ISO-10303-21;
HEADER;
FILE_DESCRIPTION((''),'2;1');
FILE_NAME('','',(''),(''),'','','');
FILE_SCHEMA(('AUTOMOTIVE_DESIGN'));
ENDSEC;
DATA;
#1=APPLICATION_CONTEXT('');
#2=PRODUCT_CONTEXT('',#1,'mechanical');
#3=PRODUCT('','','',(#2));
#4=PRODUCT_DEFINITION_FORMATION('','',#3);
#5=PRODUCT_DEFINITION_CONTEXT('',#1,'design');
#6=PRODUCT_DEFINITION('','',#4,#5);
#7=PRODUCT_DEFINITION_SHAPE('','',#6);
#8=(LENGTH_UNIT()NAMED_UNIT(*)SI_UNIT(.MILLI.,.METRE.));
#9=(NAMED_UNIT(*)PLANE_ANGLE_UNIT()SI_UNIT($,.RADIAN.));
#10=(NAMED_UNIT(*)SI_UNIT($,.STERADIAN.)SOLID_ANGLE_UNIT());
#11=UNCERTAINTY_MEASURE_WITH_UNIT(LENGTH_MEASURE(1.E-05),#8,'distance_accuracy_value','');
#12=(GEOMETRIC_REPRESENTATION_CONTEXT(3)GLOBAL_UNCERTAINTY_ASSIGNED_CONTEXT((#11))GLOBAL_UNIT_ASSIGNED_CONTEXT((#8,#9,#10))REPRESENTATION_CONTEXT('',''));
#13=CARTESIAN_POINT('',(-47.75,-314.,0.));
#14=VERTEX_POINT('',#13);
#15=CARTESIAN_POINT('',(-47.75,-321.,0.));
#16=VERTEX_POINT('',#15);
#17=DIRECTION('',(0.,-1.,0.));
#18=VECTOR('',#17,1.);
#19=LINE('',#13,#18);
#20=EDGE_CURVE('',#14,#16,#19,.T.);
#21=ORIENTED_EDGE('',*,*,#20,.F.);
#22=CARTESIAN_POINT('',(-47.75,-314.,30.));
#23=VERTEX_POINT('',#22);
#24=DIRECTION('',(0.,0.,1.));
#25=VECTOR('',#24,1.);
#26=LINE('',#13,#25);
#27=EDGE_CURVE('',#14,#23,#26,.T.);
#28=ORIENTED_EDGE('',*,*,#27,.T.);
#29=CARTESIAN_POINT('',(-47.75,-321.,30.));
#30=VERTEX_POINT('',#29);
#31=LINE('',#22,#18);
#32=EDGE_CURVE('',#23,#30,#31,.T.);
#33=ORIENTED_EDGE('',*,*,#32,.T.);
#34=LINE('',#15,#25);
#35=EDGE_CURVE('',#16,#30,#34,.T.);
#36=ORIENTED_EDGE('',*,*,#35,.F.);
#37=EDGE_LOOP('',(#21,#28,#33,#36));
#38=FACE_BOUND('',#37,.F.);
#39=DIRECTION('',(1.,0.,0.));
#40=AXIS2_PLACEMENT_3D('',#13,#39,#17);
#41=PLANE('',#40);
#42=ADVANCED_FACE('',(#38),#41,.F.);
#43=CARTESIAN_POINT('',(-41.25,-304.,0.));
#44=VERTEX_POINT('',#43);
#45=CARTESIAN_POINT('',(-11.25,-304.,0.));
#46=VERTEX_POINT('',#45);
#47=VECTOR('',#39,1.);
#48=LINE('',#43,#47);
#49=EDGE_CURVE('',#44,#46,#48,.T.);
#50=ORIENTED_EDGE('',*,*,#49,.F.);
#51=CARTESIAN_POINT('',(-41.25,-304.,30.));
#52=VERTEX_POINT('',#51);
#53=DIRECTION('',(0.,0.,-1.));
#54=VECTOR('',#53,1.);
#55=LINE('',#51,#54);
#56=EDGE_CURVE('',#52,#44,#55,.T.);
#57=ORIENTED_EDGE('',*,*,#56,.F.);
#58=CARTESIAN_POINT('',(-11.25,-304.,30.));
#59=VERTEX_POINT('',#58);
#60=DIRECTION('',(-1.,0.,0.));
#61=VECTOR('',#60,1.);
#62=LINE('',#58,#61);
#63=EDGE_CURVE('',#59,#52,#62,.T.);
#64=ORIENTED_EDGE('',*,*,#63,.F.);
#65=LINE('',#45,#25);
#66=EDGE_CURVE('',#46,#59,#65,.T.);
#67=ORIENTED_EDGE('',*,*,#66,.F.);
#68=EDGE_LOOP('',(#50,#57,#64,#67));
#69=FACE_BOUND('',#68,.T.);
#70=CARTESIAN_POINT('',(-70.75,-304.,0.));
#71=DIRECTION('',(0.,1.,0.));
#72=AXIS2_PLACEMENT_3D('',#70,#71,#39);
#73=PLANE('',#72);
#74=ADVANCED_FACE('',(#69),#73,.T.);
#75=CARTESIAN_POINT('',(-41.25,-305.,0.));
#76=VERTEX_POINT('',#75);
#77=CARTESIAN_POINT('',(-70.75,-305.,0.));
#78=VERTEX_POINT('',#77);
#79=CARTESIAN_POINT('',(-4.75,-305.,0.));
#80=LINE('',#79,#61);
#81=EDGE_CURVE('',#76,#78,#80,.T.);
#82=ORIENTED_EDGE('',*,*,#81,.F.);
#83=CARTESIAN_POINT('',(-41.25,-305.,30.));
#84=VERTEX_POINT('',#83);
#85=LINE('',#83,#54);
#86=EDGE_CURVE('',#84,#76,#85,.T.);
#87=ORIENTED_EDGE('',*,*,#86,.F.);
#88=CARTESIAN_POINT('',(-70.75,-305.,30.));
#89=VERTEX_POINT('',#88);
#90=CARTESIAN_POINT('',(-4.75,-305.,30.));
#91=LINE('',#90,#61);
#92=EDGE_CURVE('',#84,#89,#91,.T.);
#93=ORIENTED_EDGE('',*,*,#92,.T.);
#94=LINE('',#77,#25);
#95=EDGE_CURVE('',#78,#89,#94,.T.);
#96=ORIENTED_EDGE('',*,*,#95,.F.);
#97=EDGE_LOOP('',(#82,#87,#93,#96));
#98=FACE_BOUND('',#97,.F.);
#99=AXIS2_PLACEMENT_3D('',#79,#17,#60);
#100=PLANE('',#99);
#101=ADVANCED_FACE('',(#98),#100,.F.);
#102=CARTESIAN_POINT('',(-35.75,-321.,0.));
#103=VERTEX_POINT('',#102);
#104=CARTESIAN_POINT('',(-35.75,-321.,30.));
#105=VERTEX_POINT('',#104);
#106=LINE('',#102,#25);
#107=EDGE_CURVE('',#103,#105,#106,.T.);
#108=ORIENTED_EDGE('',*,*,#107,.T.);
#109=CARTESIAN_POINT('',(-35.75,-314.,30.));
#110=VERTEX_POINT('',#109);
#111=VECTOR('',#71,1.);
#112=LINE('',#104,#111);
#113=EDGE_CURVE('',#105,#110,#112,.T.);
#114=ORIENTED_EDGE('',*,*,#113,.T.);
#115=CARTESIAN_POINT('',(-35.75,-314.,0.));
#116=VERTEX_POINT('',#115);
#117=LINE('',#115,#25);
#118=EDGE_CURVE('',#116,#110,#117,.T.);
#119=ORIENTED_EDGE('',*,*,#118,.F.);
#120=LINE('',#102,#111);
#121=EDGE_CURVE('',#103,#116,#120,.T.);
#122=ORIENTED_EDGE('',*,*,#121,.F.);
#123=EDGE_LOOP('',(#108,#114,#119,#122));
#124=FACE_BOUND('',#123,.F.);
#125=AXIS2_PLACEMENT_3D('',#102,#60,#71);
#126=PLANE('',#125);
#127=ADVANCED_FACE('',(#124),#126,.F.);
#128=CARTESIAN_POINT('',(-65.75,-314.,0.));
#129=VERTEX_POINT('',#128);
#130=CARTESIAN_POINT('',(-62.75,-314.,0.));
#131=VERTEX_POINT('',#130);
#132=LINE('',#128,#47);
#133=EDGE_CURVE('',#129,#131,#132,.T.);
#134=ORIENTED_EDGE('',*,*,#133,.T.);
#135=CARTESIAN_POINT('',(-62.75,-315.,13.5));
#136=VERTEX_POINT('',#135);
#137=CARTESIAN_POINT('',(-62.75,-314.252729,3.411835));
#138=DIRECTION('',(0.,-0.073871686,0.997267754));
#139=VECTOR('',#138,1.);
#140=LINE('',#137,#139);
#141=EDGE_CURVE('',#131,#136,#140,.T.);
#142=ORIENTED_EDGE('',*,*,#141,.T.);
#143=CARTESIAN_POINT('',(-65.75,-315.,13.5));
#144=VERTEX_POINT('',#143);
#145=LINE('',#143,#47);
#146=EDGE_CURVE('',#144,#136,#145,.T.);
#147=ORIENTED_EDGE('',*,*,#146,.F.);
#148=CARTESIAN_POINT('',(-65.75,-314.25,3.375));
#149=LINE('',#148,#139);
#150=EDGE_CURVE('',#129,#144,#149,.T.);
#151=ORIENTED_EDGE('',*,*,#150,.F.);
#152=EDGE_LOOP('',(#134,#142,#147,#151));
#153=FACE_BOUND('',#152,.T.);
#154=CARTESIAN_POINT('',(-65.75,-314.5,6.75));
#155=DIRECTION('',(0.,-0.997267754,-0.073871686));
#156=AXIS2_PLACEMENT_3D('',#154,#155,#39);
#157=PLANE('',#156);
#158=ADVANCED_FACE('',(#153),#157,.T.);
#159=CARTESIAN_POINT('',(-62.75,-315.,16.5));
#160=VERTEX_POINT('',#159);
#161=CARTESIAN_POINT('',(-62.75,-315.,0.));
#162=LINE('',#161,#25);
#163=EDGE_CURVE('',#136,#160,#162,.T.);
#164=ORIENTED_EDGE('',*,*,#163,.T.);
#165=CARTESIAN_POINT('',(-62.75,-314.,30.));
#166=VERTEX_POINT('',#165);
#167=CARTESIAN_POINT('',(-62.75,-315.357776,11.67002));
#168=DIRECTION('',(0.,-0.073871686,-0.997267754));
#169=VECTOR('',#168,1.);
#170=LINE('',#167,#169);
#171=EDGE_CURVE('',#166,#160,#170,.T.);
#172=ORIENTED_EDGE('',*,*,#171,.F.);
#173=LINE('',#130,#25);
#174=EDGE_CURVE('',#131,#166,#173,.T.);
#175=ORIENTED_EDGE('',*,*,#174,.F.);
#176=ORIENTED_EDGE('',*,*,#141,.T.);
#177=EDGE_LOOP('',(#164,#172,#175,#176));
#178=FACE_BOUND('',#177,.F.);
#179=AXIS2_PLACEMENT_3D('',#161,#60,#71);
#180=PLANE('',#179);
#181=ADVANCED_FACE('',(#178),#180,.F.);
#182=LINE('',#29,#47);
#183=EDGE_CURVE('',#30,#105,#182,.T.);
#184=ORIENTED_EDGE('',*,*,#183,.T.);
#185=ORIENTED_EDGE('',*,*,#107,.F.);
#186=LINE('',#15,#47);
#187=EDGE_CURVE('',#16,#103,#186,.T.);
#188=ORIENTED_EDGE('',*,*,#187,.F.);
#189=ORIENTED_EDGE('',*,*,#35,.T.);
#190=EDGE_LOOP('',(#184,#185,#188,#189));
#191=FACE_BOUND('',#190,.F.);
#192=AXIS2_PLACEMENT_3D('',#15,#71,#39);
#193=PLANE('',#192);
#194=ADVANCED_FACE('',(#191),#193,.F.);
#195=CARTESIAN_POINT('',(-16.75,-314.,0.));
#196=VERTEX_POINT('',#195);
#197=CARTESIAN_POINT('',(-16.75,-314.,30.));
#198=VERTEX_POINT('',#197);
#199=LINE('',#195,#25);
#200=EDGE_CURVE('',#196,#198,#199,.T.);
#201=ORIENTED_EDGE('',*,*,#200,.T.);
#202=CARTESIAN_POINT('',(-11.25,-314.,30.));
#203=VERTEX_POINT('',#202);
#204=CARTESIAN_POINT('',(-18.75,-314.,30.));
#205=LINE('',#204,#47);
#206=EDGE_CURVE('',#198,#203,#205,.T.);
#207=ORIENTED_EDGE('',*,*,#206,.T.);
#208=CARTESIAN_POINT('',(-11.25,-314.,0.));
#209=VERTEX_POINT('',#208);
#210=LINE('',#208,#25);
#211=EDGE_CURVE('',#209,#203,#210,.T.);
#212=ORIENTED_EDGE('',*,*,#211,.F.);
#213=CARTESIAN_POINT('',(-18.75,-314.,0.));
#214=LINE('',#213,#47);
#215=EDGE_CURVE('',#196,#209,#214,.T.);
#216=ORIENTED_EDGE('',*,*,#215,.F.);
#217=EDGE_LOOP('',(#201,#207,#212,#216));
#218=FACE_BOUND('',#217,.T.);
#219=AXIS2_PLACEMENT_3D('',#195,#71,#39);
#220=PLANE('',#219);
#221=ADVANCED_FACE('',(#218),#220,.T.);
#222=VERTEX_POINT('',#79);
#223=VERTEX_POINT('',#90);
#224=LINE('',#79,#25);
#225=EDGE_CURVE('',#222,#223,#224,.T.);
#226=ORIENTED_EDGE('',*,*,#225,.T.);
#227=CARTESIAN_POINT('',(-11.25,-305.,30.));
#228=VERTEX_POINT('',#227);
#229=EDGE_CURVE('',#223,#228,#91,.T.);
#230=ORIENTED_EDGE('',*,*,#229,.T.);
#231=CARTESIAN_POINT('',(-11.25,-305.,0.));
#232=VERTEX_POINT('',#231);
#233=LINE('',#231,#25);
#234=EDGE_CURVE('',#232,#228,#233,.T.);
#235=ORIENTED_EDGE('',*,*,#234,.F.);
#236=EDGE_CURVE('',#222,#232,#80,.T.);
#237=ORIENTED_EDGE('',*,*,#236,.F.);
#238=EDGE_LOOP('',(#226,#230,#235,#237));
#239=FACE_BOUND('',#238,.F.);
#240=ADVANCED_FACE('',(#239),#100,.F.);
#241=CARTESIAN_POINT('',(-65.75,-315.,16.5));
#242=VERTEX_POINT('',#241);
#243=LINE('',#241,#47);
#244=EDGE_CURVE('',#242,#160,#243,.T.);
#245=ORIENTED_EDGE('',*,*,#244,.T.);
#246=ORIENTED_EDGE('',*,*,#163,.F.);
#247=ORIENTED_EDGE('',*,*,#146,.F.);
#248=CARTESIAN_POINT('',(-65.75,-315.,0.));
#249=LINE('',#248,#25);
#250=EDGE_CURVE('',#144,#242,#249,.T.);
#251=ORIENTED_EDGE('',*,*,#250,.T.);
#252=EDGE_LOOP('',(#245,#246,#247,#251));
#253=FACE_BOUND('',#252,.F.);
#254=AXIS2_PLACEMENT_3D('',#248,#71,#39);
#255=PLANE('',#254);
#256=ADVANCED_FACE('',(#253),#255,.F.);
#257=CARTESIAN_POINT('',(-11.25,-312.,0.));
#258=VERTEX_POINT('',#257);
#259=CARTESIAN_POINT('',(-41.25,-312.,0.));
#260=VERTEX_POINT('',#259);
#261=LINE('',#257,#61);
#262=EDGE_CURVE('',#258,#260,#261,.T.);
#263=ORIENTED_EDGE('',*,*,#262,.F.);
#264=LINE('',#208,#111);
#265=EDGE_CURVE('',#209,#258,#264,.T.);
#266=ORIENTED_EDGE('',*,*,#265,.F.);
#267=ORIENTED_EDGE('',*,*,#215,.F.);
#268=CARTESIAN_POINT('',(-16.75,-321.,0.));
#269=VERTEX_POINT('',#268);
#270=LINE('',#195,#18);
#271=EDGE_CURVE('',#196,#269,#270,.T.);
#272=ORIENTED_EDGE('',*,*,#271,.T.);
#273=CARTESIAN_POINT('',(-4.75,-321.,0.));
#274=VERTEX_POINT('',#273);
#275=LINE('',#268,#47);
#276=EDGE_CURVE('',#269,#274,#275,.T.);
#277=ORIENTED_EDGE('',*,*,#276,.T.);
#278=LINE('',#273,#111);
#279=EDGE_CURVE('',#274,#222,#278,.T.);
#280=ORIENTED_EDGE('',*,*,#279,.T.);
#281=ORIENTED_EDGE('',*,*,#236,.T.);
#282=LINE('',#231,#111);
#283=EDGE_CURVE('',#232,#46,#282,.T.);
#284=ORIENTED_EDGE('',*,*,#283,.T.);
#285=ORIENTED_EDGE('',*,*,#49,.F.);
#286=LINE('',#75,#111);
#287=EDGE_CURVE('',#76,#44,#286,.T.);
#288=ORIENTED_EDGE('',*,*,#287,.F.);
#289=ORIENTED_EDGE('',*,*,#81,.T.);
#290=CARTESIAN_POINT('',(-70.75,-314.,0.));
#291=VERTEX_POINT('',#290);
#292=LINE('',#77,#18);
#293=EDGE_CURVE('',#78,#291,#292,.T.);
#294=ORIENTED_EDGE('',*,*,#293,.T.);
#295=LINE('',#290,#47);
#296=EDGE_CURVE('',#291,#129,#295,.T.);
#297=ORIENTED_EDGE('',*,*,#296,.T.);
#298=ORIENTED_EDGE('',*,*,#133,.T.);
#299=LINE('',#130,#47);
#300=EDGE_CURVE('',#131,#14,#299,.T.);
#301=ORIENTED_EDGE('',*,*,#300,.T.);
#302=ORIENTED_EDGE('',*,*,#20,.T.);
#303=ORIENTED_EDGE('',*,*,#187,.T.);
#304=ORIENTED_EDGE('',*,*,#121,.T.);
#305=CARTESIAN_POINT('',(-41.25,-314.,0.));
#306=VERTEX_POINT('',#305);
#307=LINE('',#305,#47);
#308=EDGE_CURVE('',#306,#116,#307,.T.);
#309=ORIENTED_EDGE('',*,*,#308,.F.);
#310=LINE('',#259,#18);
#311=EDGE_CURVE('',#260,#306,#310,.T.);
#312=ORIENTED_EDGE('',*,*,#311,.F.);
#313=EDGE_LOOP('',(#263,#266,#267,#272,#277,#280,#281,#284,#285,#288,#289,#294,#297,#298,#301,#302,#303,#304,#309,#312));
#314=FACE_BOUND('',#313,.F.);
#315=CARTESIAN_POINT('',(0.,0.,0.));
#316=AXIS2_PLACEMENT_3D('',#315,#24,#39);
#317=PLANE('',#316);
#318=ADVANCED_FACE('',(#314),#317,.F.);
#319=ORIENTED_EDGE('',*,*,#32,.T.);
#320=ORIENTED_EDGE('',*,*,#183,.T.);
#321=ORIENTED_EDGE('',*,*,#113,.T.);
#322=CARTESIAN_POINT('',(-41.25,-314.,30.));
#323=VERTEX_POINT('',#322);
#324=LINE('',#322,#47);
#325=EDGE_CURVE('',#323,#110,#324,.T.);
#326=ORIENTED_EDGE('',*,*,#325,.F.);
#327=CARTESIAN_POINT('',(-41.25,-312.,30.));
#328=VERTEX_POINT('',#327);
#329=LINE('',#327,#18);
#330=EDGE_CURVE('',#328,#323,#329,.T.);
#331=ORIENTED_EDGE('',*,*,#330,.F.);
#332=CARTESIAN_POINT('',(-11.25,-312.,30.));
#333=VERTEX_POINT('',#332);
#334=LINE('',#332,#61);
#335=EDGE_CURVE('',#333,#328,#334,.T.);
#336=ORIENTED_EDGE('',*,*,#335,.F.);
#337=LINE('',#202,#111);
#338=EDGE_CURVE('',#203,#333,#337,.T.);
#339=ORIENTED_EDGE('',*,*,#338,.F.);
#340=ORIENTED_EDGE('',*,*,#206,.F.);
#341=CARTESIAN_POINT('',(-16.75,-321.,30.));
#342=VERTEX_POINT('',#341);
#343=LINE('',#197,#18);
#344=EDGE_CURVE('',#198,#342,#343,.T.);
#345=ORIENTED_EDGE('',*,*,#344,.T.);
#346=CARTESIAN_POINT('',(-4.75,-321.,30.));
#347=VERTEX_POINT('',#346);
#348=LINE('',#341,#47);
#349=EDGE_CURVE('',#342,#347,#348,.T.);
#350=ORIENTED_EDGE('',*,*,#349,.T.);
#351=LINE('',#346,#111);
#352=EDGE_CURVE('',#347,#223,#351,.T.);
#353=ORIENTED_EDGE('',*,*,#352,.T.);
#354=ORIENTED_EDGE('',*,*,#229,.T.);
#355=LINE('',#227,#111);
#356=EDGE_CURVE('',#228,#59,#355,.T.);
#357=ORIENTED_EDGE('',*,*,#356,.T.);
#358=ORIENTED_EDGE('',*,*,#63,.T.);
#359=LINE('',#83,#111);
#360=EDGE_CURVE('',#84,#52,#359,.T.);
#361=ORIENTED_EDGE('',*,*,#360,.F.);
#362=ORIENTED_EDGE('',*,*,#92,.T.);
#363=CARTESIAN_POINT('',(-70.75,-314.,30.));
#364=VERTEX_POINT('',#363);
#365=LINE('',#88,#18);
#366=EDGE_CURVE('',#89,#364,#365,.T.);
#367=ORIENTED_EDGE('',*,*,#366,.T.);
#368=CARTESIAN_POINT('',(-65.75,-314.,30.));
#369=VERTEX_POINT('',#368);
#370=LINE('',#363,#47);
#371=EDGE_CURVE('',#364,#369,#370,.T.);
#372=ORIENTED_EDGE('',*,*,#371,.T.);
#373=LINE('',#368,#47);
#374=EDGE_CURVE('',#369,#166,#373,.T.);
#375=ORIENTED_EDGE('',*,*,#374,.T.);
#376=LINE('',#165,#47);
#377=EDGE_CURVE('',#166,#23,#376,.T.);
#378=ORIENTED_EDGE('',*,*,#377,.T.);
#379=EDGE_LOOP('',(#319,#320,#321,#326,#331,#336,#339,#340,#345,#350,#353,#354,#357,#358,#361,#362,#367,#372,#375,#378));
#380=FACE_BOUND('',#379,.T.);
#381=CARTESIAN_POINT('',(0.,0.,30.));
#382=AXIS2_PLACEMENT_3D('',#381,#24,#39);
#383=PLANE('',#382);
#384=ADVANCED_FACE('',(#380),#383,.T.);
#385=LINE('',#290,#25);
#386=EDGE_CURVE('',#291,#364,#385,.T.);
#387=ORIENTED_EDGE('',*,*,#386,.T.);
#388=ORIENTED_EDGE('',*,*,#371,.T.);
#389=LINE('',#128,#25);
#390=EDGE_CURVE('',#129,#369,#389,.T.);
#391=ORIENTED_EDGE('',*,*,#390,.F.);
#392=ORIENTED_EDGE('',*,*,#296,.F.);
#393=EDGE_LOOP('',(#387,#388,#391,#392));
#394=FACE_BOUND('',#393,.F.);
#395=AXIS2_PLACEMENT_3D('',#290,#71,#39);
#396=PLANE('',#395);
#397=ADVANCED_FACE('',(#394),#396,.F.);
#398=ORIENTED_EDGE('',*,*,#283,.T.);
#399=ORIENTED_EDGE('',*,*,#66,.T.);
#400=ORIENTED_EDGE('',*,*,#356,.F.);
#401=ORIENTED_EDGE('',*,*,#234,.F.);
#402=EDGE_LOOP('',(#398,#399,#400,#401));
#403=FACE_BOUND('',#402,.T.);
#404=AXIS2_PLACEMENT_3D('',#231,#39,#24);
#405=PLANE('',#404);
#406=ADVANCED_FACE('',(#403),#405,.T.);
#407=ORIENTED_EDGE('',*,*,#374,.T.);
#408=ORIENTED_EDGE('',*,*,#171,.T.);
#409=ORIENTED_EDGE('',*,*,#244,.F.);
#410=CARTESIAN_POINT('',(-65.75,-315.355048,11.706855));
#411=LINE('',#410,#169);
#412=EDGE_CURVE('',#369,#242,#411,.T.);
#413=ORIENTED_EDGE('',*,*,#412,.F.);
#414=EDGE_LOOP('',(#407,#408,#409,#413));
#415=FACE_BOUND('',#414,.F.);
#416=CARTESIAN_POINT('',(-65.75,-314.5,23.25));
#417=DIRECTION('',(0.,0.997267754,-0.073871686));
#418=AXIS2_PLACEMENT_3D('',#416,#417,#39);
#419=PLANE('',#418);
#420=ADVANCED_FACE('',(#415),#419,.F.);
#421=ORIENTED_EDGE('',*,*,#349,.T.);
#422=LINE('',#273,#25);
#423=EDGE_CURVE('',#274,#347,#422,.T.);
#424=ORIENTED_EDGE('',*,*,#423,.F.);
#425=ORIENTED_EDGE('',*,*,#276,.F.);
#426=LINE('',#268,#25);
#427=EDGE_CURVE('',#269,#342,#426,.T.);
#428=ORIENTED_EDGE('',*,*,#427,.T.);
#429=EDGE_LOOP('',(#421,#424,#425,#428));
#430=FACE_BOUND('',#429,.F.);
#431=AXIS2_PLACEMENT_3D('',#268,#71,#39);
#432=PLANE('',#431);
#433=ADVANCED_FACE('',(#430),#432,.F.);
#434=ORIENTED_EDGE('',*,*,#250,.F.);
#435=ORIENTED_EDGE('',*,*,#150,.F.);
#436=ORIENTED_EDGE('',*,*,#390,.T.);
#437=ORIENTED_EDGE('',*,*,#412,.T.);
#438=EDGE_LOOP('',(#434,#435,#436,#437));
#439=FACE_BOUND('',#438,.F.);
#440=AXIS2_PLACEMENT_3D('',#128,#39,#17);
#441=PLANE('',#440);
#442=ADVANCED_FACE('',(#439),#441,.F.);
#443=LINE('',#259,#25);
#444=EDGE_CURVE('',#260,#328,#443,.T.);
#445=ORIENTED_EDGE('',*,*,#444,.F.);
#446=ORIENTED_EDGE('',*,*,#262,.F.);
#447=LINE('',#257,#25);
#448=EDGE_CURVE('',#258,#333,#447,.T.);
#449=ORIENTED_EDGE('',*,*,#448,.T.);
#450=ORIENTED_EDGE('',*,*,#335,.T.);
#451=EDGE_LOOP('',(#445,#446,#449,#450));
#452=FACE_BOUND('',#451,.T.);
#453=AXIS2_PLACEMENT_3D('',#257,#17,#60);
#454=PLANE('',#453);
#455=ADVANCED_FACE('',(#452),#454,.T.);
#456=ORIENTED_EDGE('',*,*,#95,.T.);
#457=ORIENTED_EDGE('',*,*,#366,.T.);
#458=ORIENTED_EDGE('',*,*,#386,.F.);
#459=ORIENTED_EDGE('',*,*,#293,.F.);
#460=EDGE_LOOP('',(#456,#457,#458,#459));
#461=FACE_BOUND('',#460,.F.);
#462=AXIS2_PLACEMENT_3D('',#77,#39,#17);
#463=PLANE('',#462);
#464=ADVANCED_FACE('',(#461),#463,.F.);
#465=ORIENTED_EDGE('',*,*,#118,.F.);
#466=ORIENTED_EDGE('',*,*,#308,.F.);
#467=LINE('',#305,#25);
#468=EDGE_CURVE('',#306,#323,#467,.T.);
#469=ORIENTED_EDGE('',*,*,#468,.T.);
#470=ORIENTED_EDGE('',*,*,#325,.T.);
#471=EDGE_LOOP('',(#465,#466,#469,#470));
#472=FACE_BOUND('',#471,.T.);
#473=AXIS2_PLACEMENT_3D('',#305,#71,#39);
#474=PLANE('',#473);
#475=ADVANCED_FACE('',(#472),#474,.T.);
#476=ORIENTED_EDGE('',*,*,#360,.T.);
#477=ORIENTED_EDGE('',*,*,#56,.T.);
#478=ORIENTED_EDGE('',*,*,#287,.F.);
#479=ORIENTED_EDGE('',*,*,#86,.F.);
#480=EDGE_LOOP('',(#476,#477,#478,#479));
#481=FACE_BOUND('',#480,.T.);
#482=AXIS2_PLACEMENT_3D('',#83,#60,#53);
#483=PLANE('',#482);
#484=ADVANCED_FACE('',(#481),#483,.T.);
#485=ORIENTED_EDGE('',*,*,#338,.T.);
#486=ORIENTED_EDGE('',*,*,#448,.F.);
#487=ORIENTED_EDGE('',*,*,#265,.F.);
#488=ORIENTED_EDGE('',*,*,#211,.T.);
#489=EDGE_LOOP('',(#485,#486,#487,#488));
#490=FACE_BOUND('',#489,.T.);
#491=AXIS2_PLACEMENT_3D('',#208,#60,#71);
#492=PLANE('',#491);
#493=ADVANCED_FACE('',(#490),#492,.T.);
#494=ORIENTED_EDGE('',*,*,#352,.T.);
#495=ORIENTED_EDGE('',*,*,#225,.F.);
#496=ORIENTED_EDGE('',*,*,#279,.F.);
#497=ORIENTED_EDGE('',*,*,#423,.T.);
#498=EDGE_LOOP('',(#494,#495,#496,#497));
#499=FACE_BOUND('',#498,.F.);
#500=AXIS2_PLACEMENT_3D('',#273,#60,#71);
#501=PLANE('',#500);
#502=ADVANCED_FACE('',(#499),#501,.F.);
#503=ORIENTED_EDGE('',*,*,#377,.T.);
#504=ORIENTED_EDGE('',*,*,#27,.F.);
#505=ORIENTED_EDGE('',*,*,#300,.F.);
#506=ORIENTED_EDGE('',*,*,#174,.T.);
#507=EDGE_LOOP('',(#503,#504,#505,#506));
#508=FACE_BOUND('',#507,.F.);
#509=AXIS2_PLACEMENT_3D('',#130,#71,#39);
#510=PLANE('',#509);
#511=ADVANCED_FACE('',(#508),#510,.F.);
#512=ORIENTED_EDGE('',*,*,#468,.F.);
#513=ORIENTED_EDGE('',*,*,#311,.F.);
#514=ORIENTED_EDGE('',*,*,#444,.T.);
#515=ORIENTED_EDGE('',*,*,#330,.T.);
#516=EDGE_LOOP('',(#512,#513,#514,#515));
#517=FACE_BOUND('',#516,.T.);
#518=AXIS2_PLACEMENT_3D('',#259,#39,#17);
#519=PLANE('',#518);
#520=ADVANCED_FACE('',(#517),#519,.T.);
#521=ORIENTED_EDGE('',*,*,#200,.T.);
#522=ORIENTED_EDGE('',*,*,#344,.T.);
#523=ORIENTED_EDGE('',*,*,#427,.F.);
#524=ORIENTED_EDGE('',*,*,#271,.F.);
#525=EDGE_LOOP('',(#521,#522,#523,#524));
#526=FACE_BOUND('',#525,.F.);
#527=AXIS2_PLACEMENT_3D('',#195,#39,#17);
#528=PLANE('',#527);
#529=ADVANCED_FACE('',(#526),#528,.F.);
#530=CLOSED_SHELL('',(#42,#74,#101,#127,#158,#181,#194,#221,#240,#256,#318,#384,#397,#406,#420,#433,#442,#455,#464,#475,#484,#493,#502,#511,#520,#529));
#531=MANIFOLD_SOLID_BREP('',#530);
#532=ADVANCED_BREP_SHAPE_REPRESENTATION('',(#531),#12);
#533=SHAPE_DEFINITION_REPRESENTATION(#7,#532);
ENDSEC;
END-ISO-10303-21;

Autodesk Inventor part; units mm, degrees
ref_plane "YZ Plane" through (0, 0, 0) normal (1, 0, 0) x (0, 1, 0)
ref_plane "XZ Plane" through (0, 0, 0) normal (0, 1, 0) x (-1, 0, 0)
ref_plane "XY Plane" through (0, 0, 0) normal (0, 0, 1) x (1, 0, 0)
sketch "Skizze1" plane through (0, 0, 0) normal (0, 0, 1) x (1, 0, 0)
  line L0 (-41.25, -314) -> (-33.75, -314) projected
  line L1 (-41.25, -312) -> (-41.25, -314) projected
  line L2 (-11.25, -312) -> (-41.25, -312) projected
  line L3 (-18.75, -314) -> (-11.25, -314) projected
  line L4 (-11.25, -314) -> (-11.25, -312) projected
  line L5 (-18.75, -314) -> (-16.75, -314)
  line L6 (-16.75, -314) -> (-16.75, -321)
  line L7 (-16.75, -321) -> (-4.75, -321)
  line L8 (-4.75, -321) -> (-4.75, -305)
  line L9 (-4.75, -305) -> (-70.75, -305)
  line L10 (-70.75, -305) -> (-70.75, -314)
  line L11 (-47.75, -314) -> (-47.75, -321)
  line L12 (-47.75, -321) -> (-35.75, -321)
  line L13 (-35.75, -321) -> (-35.75, -314)
  line L14 (-35.75, -314) -> (-33.75, -314)
  line L15 (-70.75, -314) -> (-65.75, -314)
  line L16 (-65.75, -314) -> (-65.75, -315)
  line L17 (-65.75, -315) -> (-62.75, -315)
  line L18 (-62.75, -315) -> (-62.75, -314)
  line L19 (-62.75, -314) -> (-47.75, -314)
  line L20 (-26.25, -311) -> (-26.25, -312) construction
  point P0 (0, 0)
  point P1 (-64.25, -315)
  dimension "d0" = 2
  dimension "d1" = 7
  dimension "d2" = 12
  dimension "d3" = 16
  dimension "d4" = 12
  dimension "d5" = 2
  dimension "d6" = 3
  dimension "d7" = 38
  dimension "d8" = 5
  dimension "d9" = 1
extrude "Extrusion1" add sketch "Skizze1" along normal blind 30
chamfer "Fasen1" distance 1 distance2 13.5 1 edges at (-64.25, -315, 30) measured on face at (-38.9167, -307.3333, 30)
chamfer "Fasen2" distance 1 distance2 13.5 1 edges at (-64.25, -315, 0) measured on face at (-38.9167, -307.3333, 0)
sketch "Skizze2" plane through (-70.75, -305, 0) normal (0, 1, 0) x (1, 0, 0)
  line L0 (29.5, 0) -> (59.5, 0) projected
  line L1 (59.5, 0) -> (59.5, -30) projected
  line L2 (29.5, 0) -> (59.5, 0)
  line L3 (59.5, 0) -> (59.5, -30)
  line L4 (59.5, -30) -> (29.5, -30)
  line L5 (29.5, -30) -> (29.5, 0)
  point P0 (70.75, 0)
extrude "Extrusion2" add sketch "Skizze2" along normal blind 1
properties part number "KatzeFEM" material "Aluminium 6061, Katze"
